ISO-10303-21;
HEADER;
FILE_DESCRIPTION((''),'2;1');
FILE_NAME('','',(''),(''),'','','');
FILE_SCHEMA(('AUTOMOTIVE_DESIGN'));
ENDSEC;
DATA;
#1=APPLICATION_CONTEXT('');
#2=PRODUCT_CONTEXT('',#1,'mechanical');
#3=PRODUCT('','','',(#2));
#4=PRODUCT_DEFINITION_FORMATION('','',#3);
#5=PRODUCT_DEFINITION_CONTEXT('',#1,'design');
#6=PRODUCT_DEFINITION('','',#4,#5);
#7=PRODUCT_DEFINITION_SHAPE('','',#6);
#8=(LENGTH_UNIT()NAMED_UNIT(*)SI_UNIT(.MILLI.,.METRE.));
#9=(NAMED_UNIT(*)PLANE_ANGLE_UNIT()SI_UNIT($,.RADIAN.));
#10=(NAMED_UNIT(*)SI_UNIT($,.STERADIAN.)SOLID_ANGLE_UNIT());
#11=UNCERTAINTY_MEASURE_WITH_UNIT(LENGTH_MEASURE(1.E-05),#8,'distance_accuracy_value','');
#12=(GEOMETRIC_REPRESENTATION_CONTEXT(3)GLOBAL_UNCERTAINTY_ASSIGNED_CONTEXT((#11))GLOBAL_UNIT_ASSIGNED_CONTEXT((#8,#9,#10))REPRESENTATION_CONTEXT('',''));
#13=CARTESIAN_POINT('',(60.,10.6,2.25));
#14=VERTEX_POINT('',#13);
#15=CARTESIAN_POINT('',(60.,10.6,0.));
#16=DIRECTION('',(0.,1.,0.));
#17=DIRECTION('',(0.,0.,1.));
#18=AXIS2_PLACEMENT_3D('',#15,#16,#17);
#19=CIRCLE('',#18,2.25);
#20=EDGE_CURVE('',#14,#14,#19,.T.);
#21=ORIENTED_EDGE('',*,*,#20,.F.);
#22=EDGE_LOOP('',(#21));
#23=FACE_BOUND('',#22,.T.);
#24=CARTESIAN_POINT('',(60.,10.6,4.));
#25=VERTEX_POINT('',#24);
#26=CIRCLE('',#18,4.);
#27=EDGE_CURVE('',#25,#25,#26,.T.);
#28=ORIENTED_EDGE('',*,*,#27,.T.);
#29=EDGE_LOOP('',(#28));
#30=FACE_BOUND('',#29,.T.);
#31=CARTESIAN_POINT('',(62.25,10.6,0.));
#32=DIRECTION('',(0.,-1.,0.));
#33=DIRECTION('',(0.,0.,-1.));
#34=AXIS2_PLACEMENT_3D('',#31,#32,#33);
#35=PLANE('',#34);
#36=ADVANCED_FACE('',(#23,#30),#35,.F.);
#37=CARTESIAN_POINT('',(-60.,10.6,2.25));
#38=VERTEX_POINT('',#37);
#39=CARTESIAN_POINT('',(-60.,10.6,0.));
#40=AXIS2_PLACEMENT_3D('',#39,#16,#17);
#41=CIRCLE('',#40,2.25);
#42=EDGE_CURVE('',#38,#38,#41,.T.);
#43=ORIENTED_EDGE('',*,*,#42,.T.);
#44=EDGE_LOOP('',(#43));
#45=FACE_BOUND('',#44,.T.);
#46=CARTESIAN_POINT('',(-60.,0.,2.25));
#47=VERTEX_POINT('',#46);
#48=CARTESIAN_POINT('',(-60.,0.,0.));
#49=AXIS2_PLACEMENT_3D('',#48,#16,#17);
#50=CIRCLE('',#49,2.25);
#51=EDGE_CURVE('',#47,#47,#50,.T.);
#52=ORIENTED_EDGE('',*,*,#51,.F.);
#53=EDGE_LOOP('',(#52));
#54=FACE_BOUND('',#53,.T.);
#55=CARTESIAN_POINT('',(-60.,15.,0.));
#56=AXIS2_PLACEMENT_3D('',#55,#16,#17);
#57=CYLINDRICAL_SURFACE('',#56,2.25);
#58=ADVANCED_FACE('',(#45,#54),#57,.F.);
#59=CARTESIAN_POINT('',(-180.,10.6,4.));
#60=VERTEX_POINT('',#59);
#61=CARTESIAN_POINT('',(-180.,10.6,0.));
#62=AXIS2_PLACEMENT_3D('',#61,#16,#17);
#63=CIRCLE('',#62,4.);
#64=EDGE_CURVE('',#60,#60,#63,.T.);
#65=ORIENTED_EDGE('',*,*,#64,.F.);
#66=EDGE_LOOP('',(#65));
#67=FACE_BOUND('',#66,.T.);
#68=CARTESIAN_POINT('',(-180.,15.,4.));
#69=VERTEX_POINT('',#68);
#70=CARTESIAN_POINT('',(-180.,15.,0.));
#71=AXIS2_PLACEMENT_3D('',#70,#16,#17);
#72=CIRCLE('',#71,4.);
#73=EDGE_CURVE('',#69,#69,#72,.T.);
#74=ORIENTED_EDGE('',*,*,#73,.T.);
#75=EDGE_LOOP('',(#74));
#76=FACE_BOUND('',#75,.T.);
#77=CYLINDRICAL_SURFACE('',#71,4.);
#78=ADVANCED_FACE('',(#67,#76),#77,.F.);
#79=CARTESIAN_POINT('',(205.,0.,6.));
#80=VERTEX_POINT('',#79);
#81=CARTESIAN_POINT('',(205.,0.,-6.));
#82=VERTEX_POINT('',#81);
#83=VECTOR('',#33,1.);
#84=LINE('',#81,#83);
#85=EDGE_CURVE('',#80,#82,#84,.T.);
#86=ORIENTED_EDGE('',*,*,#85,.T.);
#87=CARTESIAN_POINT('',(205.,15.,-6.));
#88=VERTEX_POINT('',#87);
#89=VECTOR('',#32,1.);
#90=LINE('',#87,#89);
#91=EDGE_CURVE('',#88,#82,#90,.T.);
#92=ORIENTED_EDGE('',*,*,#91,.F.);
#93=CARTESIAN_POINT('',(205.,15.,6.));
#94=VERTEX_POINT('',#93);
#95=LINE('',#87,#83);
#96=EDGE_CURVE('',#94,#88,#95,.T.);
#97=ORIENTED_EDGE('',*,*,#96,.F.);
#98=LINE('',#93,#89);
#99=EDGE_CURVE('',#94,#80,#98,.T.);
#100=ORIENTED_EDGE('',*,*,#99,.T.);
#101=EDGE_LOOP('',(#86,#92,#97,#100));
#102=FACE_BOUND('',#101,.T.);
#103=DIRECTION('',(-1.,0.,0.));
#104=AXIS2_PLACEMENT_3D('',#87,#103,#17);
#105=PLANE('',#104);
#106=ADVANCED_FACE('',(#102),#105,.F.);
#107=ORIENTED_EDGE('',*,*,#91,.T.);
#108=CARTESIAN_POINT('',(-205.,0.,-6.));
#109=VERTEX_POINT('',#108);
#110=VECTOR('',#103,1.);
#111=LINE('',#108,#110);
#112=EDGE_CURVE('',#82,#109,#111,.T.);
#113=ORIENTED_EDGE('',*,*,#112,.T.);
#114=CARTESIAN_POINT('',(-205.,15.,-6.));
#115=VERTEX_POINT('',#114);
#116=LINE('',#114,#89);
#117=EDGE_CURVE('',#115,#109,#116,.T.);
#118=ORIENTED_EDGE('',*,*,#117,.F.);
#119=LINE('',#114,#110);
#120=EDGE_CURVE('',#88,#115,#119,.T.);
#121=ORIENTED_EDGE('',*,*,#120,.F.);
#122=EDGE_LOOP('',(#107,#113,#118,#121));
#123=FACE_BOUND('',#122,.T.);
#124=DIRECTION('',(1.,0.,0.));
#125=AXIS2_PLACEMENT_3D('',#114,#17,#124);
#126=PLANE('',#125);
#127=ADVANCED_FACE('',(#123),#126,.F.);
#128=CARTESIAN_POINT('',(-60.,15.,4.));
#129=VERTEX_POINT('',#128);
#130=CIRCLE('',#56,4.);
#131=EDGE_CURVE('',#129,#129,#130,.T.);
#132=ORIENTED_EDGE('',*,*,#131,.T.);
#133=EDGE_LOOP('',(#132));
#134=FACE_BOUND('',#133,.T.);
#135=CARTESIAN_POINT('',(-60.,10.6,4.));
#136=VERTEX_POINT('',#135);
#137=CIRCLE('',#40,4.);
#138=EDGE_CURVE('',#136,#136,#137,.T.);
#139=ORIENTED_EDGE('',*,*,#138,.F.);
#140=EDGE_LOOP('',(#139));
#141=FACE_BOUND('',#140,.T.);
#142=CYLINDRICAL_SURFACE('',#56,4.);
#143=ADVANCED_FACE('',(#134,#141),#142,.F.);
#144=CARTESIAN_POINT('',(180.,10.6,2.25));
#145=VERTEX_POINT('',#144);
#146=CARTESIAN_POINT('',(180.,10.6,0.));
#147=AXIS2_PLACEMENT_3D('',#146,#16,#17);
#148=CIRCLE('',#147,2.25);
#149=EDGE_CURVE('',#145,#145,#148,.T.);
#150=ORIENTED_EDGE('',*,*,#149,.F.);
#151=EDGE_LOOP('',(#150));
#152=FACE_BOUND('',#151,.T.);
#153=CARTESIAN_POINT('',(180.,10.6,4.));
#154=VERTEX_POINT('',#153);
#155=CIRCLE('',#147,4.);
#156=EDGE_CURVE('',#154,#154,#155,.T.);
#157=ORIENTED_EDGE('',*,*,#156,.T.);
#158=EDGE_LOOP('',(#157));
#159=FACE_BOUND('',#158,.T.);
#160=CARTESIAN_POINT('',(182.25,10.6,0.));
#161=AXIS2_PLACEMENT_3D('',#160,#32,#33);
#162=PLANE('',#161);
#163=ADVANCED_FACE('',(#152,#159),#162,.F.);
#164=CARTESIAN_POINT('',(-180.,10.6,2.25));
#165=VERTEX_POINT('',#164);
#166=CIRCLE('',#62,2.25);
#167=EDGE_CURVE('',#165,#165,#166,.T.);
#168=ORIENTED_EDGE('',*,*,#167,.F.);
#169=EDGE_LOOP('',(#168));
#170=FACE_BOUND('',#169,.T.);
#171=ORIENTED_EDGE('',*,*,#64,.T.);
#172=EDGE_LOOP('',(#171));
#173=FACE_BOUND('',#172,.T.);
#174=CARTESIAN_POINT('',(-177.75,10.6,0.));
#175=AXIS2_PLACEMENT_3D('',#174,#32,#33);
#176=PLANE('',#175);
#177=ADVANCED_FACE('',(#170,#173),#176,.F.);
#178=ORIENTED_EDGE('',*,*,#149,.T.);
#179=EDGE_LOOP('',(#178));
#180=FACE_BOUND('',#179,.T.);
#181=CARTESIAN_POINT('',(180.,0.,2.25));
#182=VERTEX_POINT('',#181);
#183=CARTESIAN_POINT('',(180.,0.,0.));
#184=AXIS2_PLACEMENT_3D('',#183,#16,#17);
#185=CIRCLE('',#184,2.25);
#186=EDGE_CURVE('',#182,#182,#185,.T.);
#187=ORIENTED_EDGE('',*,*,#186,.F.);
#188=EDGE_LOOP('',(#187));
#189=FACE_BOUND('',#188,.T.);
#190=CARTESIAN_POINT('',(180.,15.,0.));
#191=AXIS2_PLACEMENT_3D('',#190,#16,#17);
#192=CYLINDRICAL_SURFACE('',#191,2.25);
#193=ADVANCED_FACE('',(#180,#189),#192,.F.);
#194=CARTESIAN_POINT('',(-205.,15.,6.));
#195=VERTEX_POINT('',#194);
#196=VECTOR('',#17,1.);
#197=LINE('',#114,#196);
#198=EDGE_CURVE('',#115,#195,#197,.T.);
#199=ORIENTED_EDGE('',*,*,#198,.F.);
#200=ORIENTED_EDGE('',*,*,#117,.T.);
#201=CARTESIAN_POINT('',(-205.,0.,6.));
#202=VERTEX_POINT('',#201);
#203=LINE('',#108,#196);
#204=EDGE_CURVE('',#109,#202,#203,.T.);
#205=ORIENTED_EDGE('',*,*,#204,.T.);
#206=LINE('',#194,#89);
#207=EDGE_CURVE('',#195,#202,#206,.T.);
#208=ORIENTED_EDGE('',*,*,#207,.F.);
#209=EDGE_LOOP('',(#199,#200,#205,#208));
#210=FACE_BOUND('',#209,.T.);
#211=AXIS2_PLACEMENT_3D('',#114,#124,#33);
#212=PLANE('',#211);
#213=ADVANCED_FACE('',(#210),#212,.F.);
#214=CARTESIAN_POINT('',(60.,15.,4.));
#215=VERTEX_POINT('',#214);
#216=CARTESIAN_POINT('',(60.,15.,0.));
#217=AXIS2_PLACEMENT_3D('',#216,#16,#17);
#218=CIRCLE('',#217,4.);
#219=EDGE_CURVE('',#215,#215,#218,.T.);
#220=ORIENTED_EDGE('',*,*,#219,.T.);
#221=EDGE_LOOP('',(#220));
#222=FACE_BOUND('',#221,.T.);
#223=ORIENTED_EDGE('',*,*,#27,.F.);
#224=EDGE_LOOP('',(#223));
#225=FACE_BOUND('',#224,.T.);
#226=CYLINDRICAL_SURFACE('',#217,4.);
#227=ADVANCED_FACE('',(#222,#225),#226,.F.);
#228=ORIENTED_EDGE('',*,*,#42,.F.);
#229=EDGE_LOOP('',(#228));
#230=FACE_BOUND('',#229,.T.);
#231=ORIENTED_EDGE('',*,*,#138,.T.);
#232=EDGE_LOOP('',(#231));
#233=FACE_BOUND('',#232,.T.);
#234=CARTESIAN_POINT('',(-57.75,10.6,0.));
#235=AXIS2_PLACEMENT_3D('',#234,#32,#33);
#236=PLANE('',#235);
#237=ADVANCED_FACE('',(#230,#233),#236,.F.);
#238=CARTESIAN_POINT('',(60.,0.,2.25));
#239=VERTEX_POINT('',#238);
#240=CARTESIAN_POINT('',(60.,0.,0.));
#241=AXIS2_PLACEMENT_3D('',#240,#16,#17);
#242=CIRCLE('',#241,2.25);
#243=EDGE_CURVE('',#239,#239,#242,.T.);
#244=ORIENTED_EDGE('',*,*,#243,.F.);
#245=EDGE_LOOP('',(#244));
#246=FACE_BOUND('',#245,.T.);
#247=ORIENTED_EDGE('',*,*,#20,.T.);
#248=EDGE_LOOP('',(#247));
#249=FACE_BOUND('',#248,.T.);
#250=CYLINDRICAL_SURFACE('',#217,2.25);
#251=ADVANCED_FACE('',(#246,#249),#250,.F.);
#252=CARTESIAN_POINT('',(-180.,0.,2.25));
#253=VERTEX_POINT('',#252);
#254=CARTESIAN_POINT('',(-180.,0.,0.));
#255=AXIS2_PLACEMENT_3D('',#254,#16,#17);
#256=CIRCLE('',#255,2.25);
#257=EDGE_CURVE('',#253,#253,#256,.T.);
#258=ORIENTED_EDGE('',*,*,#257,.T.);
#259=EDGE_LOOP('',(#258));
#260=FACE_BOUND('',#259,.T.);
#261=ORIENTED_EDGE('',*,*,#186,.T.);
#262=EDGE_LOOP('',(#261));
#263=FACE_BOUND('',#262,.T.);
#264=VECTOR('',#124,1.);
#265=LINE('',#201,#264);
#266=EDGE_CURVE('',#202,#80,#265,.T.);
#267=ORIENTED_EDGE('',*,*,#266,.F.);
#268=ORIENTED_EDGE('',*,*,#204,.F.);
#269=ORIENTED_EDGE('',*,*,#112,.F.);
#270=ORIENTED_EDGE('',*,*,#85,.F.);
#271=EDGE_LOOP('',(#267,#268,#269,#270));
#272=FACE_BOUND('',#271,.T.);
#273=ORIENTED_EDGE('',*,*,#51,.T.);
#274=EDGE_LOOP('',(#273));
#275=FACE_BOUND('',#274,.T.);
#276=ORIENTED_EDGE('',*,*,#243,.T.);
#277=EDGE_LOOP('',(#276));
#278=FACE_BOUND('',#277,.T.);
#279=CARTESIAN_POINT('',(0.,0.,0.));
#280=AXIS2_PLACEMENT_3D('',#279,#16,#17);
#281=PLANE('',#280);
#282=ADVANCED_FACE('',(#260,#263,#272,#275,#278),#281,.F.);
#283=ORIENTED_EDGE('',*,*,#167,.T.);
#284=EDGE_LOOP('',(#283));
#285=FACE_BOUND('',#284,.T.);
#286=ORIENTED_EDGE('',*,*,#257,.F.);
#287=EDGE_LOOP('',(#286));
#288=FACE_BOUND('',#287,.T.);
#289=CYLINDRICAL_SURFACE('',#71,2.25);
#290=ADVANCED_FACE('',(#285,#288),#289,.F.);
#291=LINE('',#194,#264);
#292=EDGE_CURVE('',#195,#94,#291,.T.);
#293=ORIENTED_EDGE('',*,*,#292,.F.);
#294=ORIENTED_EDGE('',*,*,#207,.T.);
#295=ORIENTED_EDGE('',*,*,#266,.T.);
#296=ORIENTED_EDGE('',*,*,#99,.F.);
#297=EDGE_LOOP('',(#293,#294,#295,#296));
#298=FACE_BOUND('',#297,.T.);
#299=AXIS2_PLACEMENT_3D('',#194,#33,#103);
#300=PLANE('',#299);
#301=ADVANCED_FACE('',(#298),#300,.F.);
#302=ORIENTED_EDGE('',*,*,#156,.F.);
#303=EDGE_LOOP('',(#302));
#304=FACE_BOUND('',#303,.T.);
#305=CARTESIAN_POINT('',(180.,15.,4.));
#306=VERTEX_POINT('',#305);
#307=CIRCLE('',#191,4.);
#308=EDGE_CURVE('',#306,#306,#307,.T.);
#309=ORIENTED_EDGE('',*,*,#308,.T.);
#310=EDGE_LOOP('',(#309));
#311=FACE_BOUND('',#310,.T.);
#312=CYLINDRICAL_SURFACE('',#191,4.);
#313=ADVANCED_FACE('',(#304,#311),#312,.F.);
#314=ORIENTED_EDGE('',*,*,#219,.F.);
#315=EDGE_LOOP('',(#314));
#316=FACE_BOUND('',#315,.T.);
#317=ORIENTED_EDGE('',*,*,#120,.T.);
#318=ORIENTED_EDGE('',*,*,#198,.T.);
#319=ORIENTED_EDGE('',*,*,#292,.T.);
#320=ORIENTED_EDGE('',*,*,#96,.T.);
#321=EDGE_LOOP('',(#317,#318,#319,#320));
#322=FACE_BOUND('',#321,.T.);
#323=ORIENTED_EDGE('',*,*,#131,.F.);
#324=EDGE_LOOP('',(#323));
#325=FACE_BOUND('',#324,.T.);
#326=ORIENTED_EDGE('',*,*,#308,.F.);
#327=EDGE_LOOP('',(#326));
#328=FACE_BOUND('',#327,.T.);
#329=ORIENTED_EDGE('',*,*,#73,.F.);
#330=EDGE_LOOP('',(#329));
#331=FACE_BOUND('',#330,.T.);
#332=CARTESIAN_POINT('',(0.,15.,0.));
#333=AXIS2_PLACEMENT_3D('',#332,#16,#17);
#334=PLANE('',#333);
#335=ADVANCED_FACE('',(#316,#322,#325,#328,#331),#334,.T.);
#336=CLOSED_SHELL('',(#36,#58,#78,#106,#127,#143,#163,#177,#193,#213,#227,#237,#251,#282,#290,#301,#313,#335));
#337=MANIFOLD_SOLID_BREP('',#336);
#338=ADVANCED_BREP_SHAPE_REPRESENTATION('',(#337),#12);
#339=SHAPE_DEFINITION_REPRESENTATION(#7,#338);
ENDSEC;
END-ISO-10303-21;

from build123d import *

# Parameters (mm, degrees)
SKETCH_1_W                   = 410
SKETCH_1_H                   = 12
EXTRUDE_1_DEPTH              = 15
HOLE_WIZARD_M4_1_D           = 4.5
HOLE_WIZARD_M4_1_CBORE_D     = 8
HOLE_WIZARD_M4_1_CBORE_DEPTH = 4.4


with BuildPart() as part:
    # 草图1 → 凸台-拉伸1 (new body)
    with BuildSketch(Plane(origin=(0, 0, 0), x_dir=(1, 0, 0), z_dir=(0, 1, 0))):
        Rectangle(SKETCH_1_W, SKETCH_1_H)
    extrude(amount=EXTRUDE_1_DEPTH)

    # M4 六角凹头螺钉的柱形沉头孔1 (through all)
    with Locations(Plane(origin=(0, 15, 0), x_dir=(1, 0, 0), z_dir=(0, 1, 0))):
        with Locations((60, 0), (-60, 0), (-180, 0), (180, 0)):
            CounterBoreHole(HOLE_WIZARD_M4_1_D / 2, HOLE_WIZARD_M4_1_CBORE_D / 2, HOLE_WIZARD_M4_1_CBORE_DEPTH)


solid = part.part
